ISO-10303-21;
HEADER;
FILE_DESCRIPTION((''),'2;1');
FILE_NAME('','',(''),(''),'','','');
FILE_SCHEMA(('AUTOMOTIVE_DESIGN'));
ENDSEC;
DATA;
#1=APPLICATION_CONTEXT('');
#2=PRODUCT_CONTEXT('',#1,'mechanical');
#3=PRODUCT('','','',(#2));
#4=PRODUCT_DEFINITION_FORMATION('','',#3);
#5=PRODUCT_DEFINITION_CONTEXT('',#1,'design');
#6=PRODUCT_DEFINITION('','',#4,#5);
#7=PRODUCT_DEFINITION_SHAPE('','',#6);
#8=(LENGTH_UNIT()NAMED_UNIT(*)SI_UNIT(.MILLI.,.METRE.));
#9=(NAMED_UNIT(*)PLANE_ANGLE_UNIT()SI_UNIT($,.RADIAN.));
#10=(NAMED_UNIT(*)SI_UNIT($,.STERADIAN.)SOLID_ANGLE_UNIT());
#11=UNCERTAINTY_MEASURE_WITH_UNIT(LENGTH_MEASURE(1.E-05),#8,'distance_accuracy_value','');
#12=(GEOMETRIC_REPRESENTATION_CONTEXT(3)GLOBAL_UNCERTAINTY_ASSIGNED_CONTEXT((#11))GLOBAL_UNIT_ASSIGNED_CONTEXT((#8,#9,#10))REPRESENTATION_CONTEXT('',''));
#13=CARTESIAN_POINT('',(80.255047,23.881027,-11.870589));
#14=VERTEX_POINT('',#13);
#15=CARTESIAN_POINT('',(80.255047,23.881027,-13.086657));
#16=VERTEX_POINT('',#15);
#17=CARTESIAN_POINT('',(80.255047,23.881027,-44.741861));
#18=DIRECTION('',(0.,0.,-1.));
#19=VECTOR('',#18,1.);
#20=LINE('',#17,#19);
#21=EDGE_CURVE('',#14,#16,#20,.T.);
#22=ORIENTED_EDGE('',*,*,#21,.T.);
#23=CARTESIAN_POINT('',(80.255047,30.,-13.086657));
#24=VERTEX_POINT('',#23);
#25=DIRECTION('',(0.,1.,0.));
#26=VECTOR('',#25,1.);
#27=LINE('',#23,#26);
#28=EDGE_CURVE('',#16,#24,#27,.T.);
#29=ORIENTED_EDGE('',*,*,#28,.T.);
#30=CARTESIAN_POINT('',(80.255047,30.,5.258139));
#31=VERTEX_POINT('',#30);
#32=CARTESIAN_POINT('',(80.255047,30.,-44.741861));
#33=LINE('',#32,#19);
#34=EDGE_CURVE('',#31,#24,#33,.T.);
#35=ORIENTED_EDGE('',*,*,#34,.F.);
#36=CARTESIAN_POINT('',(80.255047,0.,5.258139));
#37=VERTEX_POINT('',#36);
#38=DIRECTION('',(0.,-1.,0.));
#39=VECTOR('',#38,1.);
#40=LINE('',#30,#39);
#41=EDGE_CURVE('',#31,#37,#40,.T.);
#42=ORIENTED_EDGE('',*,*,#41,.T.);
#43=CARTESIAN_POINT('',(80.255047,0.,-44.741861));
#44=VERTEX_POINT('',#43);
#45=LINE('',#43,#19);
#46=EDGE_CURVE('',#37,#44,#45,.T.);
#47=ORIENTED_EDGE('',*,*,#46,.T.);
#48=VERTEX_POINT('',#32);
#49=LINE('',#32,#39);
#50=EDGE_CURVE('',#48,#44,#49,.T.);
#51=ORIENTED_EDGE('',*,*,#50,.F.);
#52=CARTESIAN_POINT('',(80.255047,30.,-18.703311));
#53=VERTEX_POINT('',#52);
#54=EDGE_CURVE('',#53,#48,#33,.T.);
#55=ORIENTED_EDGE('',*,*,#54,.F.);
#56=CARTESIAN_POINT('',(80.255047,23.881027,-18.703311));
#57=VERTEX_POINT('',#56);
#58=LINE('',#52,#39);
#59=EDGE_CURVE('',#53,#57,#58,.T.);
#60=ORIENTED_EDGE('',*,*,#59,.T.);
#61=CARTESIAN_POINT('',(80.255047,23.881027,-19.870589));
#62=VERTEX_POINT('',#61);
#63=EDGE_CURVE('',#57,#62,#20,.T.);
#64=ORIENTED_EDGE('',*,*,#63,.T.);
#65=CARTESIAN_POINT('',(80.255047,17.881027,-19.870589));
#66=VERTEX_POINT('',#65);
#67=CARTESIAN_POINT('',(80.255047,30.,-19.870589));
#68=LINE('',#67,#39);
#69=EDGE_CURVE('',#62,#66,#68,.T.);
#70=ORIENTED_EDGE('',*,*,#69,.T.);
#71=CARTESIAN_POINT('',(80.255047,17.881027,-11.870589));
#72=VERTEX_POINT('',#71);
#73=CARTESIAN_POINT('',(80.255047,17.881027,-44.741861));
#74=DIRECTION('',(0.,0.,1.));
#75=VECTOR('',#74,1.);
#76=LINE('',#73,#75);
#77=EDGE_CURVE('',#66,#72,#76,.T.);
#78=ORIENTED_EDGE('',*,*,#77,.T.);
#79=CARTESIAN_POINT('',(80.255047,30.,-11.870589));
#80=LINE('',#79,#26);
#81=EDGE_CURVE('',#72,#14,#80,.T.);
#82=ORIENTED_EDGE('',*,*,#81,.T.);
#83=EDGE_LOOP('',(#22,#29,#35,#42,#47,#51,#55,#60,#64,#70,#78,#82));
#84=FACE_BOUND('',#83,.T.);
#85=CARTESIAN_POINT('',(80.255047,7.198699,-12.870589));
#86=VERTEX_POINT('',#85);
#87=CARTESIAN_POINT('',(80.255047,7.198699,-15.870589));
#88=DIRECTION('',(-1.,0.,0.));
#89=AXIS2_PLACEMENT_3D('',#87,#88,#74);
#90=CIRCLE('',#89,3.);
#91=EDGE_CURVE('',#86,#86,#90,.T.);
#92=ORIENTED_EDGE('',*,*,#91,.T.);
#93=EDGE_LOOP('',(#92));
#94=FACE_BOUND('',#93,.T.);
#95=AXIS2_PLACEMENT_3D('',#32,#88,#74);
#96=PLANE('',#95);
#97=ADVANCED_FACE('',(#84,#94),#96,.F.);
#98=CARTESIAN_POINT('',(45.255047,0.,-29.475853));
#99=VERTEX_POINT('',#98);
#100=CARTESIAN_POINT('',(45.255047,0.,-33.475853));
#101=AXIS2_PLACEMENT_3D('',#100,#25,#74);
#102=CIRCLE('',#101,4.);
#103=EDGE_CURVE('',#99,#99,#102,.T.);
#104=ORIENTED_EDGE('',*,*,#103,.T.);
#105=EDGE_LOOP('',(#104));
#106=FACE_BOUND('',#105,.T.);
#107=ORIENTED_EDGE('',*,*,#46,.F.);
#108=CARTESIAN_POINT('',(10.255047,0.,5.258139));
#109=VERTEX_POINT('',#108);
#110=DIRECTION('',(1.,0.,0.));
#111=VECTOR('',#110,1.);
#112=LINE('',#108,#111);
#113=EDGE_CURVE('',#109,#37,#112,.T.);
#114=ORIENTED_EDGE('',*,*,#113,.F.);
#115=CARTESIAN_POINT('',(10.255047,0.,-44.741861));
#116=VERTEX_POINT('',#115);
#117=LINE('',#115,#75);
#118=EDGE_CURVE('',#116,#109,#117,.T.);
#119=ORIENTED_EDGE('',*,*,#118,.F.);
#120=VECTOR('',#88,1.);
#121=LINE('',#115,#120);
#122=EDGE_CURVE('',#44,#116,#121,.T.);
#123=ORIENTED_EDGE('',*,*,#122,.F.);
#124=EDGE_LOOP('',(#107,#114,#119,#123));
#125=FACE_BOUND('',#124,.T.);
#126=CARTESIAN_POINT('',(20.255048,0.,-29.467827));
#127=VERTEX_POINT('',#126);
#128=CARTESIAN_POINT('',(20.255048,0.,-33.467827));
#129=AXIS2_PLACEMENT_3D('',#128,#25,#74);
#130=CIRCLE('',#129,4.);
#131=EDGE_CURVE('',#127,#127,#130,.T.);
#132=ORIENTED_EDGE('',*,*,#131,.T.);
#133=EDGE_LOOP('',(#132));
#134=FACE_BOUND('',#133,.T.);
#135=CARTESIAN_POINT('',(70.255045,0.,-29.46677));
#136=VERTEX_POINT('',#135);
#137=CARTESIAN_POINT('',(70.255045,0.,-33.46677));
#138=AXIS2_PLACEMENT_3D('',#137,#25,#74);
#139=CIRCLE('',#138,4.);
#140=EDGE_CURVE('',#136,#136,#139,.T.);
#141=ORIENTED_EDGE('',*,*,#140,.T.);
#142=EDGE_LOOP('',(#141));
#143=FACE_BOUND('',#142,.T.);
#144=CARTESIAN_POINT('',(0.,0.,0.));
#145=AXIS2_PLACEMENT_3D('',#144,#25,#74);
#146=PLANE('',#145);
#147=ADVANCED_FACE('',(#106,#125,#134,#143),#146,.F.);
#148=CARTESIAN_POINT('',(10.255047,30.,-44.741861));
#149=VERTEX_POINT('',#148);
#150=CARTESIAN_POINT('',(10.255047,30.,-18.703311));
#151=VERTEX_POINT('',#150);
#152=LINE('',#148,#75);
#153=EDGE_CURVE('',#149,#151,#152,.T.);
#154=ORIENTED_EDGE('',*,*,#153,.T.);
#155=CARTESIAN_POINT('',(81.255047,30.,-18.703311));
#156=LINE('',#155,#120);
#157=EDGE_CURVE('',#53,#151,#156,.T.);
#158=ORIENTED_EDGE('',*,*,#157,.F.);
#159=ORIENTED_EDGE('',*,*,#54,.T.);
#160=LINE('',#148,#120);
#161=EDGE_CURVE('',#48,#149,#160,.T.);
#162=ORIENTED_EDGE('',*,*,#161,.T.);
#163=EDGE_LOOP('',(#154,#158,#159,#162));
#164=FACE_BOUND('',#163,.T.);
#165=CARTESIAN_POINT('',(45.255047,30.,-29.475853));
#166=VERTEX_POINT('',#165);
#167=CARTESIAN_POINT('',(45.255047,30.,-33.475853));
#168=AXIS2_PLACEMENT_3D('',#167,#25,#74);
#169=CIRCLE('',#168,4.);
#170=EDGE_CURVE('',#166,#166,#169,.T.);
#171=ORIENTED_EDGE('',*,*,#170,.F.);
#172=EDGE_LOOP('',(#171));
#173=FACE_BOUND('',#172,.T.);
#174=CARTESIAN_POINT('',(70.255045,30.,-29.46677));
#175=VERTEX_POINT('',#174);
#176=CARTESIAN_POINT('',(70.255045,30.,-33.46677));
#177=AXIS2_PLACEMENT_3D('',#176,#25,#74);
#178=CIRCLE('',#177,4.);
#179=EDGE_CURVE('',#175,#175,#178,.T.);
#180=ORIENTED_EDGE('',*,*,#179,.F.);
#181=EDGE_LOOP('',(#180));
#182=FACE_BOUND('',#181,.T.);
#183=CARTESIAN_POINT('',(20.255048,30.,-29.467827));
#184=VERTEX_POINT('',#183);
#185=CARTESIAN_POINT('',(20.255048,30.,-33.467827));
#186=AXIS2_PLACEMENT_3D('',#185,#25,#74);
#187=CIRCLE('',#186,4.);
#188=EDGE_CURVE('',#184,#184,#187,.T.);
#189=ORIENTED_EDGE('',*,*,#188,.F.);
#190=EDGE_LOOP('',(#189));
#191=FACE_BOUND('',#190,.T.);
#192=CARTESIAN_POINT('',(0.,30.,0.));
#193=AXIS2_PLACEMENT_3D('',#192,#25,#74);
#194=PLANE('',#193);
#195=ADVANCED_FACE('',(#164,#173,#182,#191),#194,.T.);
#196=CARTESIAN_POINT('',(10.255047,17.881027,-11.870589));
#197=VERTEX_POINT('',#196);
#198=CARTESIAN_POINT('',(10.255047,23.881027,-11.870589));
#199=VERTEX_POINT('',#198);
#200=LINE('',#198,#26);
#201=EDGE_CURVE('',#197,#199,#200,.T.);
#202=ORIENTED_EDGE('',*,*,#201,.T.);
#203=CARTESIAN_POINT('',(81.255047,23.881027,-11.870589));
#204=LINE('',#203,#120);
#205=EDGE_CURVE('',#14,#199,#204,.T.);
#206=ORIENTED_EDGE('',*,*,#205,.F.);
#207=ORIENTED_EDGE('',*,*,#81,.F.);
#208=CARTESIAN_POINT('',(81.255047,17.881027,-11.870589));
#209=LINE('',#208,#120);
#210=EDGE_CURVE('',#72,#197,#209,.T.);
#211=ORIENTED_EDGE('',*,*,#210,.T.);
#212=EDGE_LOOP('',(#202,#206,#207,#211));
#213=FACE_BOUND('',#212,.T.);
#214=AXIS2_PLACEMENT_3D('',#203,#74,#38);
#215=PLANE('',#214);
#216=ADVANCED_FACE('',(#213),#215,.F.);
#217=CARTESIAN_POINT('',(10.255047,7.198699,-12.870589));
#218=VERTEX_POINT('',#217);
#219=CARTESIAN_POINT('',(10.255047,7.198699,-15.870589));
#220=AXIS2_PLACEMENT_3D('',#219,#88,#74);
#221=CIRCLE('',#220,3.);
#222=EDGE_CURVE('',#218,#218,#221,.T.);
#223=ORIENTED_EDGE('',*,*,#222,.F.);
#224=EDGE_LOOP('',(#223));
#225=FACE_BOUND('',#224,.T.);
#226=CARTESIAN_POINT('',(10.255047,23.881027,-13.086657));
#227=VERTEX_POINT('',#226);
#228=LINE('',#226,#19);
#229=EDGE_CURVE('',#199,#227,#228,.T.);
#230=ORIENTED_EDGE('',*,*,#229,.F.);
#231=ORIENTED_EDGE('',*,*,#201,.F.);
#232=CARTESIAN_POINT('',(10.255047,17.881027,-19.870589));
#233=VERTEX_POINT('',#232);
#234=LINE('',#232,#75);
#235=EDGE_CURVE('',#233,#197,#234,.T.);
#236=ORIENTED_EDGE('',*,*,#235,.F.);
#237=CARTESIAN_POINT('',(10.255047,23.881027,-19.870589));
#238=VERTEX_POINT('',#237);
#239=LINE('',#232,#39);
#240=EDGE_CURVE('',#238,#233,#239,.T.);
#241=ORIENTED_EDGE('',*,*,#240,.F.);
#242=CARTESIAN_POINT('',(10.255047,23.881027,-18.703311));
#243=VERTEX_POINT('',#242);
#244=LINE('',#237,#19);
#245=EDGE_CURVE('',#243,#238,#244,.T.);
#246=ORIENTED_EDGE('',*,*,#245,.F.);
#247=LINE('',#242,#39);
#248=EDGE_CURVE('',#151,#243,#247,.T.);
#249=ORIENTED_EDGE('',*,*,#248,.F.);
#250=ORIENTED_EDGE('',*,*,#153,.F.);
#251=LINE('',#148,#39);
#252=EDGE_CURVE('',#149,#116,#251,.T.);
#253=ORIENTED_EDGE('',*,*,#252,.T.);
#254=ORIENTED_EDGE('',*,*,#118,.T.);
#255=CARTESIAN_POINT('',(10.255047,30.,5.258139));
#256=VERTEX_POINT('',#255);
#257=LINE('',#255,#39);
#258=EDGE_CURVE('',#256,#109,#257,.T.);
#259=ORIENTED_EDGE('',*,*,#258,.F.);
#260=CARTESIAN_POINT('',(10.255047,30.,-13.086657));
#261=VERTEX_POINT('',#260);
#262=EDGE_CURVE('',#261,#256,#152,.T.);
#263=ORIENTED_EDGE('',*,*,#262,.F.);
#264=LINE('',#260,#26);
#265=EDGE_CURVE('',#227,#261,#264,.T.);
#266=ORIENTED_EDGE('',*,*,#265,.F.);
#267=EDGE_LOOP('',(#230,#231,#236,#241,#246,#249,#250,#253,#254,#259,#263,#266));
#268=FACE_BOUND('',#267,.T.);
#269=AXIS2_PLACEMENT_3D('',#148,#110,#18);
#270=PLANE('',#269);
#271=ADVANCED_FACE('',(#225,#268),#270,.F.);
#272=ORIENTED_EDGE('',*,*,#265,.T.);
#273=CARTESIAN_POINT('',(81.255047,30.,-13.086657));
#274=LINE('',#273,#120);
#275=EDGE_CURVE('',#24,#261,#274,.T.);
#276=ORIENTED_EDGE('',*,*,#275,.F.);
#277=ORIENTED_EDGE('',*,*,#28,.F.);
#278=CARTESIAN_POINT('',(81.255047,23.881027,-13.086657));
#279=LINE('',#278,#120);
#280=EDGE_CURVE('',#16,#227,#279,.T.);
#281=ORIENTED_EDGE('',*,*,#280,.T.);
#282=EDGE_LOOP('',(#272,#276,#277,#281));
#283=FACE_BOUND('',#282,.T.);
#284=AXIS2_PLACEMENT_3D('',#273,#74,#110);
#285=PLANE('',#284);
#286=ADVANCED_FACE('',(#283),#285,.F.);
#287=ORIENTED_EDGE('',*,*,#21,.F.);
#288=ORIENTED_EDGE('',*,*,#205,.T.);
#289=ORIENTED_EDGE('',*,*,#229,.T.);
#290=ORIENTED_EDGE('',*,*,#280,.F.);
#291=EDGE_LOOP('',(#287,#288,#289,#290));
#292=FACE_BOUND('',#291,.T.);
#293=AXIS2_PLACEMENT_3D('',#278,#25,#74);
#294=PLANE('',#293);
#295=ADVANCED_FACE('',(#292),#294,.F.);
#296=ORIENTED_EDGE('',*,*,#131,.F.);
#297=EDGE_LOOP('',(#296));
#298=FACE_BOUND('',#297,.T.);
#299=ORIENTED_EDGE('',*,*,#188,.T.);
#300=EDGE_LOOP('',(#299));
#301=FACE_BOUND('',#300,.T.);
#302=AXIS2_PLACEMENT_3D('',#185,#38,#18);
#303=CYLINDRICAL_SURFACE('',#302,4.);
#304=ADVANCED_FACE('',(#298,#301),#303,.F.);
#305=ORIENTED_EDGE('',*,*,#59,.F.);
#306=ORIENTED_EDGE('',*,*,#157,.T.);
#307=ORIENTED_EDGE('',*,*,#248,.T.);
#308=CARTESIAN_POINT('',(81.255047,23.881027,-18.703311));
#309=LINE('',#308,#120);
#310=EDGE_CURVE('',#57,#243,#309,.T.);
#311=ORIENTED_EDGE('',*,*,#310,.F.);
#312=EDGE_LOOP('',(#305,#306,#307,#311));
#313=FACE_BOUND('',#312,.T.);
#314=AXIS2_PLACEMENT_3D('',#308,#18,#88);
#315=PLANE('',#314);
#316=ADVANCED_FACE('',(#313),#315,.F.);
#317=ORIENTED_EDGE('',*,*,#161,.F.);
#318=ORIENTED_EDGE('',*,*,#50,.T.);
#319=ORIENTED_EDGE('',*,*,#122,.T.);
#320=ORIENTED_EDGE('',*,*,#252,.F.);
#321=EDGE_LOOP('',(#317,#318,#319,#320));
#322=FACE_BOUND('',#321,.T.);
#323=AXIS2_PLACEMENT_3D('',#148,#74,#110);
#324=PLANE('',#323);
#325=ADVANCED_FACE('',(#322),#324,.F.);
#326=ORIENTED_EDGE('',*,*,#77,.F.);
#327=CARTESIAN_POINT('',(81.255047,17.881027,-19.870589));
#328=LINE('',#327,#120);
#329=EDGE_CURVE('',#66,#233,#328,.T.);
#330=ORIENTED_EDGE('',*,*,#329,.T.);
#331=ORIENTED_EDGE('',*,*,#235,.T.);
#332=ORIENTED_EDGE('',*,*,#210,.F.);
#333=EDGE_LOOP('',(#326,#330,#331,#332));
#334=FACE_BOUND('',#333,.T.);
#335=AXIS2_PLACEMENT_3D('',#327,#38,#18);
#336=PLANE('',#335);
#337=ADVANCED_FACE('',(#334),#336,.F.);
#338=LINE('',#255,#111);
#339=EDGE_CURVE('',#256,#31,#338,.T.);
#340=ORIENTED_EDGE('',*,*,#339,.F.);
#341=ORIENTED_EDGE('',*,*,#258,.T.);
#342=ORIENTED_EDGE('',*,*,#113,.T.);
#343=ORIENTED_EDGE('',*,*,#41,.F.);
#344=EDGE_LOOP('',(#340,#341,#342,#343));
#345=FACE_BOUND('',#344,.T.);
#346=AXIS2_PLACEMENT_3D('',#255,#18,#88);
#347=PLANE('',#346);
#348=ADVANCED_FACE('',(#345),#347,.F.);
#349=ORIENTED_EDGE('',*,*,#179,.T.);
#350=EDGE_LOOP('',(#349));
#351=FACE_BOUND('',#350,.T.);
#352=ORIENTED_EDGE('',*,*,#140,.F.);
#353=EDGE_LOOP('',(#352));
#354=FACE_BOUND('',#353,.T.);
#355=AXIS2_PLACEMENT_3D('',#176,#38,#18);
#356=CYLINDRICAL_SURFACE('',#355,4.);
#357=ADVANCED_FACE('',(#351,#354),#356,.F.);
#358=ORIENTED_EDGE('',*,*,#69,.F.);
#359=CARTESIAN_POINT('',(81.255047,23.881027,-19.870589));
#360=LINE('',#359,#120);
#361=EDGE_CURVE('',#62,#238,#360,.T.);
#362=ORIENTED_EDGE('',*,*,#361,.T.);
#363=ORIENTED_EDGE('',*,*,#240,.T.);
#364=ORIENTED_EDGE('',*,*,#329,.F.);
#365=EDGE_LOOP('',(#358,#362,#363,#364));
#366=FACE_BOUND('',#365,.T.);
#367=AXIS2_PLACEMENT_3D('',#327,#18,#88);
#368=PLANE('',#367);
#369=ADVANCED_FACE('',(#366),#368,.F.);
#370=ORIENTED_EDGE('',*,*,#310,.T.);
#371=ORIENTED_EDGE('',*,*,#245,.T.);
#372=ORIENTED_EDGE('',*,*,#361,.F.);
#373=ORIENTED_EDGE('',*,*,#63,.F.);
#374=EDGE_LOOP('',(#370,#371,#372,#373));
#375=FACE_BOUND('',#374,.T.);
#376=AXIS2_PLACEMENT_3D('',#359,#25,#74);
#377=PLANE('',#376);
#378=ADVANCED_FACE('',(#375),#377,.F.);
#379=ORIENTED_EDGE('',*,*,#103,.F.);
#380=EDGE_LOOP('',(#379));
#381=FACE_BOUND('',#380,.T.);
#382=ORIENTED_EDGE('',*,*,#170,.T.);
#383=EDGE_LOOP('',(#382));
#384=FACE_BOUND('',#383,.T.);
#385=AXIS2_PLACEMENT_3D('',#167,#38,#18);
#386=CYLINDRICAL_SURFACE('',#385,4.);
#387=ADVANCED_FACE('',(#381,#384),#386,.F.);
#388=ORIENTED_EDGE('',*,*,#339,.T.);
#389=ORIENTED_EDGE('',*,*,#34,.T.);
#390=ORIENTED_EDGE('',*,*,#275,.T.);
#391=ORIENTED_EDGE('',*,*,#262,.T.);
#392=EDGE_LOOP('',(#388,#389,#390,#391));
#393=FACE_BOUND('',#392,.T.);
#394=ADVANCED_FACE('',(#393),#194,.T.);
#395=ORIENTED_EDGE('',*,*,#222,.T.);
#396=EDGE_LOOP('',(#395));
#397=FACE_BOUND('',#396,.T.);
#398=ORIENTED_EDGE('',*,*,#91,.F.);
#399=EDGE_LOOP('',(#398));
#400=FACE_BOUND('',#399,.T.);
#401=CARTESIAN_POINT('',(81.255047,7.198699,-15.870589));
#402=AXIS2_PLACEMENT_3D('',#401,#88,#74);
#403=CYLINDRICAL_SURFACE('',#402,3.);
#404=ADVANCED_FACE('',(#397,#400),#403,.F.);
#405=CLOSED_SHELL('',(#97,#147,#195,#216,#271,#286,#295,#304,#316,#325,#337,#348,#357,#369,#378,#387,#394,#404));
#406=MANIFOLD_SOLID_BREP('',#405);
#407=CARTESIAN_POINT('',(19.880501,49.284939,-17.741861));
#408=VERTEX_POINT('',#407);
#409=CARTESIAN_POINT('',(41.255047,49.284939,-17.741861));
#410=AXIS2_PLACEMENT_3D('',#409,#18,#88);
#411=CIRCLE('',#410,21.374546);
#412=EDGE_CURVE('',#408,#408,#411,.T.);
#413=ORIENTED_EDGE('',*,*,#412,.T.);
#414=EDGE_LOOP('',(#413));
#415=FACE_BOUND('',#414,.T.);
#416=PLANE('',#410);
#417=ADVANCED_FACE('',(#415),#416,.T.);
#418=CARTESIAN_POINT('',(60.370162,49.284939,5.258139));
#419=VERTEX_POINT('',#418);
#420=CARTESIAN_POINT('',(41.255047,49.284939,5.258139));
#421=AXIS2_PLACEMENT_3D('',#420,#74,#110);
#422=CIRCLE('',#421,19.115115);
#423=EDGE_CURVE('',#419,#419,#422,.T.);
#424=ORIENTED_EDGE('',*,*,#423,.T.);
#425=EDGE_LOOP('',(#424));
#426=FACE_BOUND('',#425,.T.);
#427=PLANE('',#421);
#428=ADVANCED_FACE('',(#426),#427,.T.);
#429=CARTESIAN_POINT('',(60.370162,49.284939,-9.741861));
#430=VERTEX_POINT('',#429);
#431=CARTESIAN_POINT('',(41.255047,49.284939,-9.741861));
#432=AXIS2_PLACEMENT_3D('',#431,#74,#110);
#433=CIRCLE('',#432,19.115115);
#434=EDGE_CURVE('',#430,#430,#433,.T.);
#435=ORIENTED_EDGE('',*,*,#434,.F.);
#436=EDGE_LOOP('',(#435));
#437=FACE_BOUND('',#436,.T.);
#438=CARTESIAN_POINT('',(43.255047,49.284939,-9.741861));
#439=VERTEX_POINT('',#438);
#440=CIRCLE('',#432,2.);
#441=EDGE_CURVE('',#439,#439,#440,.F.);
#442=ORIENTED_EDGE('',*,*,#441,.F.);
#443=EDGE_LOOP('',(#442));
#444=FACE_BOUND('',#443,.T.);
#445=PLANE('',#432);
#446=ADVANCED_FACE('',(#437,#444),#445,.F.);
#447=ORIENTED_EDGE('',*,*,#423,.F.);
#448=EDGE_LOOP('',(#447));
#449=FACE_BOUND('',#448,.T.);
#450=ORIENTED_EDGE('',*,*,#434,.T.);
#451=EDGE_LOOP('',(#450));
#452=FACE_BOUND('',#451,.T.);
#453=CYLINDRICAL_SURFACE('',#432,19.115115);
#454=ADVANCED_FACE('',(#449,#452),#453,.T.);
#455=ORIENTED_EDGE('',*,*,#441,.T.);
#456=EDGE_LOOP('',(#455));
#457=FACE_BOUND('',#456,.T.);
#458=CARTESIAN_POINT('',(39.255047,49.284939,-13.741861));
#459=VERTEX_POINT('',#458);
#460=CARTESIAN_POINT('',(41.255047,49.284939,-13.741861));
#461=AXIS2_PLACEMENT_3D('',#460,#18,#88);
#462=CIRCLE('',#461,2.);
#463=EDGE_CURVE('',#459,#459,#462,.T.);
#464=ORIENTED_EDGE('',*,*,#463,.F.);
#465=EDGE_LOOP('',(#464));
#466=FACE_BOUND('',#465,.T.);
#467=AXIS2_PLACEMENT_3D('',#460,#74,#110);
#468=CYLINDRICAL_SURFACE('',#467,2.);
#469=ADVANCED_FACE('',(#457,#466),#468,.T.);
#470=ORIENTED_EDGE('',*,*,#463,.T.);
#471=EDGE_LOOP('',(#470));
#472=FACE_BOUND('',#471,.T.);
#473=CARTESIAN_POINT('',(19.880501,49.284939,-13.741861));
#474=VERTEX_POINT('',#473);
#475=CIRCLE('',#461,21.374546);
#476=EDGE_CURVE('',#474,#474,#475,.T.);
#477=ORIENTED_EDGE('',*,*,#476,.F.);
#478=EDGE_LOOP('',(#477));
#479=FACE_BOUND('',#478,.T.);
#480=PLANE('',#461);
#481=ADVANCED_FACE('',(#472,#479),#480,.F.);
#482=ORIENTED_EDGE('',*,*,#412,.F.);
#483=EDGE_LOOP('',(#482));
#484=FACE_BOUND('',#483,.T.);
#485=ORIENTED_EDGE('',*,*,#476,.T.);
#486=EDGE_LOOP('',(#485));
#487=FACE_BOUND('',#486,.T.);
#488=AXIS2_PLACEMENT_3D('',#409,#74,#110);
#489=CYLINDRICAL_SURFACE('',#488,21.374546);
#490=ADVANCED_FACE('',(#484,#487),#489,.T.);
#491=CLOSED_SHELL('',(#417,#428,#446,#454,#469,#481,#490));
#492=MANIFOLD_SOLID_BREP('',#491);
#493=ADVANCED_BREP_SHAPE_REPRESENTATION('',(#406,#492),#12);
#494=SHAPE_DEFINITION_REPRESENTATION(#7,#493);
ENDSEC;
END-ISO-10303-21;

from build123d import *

# Parameters (mm, degrees)
SKETCH1_W           = 70
SKETCH1_H           = 50
SKETCH1_R           = 4
BOSS_EXTRUDE1_DEPTH = 30
SKETCH2_R           = 3
CUT_EXTRUDE1_DEPTH  = 71
SKETCH6_R           = 19.115114925
BOSS_EXTRUDE3_DEPTH = 15
SKETCH7_R           = 2
BOSS_EXTRUDE4_DEPTH = 4
SKETCH8_R           = 21.374545816
BOSS_EXTRUDE5_DEPTH = 4


with BuildPart() as part:
    # Sketch1 → Boss-Extrude1 (new body)
    with BuildSketch(Plane(origin=(0, 0, 0), x_dir=(1, 0, 0), z_dir=(0, 1, 0))):
        with Locations((45.25504703, 19.741860607)):
            Rectangle(SKETCH1_W, SKETCH1_H)
        with Locations(Location((45.25504703, 33.47585277, 0), (0, 0, 270))):
            Circle(SKETCH1_R, mode=Mode.SUBTRACT)
        with Locations(Location((70.25504538, 33.466769909, 0), (0, 0, 270))):
            Circle(SKETCH1_R, mode=Mode.SUBTRACT)
        with Locations(Location((20.255048319, 33.467826551, 0), (0, 0, 270))):
            Circle(SKETCH1_R, mode=Mode.SUBTRACT)
    extrude(amount=BOSS_EXTRUDE1_DEPTH)

    # Sketch2 → Cut-Extrude1 (cut)
    with BuildSketch(Plane.ZY.offset(-10.25504703)):
        with Locations((-15.87058853, 7.198699216)):
            Circle(SKETCH2_R)
        Polygon((-19.87058853, 17.881027255), (-11.87058853, 17.881027255), (-11.87058853, 23.881027255), (-13.086657096, 23.881027255), (-13.086657096, 30), (-18.703311227, 30), (-18.703311227, 23.881027255), (-19.87058853, 23.881027255), align=None)
    extrude(amount=-CUT_EXTRUDE1_DEPTH, mode=Mode.SUBTRACT)


with BuildPart() as body_2:
    # Sketch6 → Boss-Extrude3 (new body)
    with BuildSketch(Plane.XY.offset(5.258139393)):
        with Locations((41.25504703, 49.284939292)):
            Circle(SKETCH6_R)
    extrude(amount=-BOSS_EXTRUDE3_DEPTH)

    # Sketch7 → Boss-Extrude4 (add)
    with BuildSketch(Plane(origin=(0, 0, -9.741860607), x_dir=(-1, 0, 0), z_dir=(0, 0, -1))):
        with Locations(Location((-41.25504703, 49.284939292, 0), (0, 0, 180))):
            Circle(SKETCH7_R)
    extrude(amount=BOSS_EXTRUDE4_DEPTH)

    # Sketch8 → Boss-Extrude5 (add)
    with BuildSketch(Plane(origin=(0, 0, -13.741860607), x_dir=(-1, 0, 0), z_dir=(0, 0, -1))):
        with Locations((-41.25504703, 49.284939292)):
            Circle(SKETCH8_R)
    extrude(amount=BOSS_EXTRUDE5_DEPTH)


solid = Compound([part.part, body_2.part])
